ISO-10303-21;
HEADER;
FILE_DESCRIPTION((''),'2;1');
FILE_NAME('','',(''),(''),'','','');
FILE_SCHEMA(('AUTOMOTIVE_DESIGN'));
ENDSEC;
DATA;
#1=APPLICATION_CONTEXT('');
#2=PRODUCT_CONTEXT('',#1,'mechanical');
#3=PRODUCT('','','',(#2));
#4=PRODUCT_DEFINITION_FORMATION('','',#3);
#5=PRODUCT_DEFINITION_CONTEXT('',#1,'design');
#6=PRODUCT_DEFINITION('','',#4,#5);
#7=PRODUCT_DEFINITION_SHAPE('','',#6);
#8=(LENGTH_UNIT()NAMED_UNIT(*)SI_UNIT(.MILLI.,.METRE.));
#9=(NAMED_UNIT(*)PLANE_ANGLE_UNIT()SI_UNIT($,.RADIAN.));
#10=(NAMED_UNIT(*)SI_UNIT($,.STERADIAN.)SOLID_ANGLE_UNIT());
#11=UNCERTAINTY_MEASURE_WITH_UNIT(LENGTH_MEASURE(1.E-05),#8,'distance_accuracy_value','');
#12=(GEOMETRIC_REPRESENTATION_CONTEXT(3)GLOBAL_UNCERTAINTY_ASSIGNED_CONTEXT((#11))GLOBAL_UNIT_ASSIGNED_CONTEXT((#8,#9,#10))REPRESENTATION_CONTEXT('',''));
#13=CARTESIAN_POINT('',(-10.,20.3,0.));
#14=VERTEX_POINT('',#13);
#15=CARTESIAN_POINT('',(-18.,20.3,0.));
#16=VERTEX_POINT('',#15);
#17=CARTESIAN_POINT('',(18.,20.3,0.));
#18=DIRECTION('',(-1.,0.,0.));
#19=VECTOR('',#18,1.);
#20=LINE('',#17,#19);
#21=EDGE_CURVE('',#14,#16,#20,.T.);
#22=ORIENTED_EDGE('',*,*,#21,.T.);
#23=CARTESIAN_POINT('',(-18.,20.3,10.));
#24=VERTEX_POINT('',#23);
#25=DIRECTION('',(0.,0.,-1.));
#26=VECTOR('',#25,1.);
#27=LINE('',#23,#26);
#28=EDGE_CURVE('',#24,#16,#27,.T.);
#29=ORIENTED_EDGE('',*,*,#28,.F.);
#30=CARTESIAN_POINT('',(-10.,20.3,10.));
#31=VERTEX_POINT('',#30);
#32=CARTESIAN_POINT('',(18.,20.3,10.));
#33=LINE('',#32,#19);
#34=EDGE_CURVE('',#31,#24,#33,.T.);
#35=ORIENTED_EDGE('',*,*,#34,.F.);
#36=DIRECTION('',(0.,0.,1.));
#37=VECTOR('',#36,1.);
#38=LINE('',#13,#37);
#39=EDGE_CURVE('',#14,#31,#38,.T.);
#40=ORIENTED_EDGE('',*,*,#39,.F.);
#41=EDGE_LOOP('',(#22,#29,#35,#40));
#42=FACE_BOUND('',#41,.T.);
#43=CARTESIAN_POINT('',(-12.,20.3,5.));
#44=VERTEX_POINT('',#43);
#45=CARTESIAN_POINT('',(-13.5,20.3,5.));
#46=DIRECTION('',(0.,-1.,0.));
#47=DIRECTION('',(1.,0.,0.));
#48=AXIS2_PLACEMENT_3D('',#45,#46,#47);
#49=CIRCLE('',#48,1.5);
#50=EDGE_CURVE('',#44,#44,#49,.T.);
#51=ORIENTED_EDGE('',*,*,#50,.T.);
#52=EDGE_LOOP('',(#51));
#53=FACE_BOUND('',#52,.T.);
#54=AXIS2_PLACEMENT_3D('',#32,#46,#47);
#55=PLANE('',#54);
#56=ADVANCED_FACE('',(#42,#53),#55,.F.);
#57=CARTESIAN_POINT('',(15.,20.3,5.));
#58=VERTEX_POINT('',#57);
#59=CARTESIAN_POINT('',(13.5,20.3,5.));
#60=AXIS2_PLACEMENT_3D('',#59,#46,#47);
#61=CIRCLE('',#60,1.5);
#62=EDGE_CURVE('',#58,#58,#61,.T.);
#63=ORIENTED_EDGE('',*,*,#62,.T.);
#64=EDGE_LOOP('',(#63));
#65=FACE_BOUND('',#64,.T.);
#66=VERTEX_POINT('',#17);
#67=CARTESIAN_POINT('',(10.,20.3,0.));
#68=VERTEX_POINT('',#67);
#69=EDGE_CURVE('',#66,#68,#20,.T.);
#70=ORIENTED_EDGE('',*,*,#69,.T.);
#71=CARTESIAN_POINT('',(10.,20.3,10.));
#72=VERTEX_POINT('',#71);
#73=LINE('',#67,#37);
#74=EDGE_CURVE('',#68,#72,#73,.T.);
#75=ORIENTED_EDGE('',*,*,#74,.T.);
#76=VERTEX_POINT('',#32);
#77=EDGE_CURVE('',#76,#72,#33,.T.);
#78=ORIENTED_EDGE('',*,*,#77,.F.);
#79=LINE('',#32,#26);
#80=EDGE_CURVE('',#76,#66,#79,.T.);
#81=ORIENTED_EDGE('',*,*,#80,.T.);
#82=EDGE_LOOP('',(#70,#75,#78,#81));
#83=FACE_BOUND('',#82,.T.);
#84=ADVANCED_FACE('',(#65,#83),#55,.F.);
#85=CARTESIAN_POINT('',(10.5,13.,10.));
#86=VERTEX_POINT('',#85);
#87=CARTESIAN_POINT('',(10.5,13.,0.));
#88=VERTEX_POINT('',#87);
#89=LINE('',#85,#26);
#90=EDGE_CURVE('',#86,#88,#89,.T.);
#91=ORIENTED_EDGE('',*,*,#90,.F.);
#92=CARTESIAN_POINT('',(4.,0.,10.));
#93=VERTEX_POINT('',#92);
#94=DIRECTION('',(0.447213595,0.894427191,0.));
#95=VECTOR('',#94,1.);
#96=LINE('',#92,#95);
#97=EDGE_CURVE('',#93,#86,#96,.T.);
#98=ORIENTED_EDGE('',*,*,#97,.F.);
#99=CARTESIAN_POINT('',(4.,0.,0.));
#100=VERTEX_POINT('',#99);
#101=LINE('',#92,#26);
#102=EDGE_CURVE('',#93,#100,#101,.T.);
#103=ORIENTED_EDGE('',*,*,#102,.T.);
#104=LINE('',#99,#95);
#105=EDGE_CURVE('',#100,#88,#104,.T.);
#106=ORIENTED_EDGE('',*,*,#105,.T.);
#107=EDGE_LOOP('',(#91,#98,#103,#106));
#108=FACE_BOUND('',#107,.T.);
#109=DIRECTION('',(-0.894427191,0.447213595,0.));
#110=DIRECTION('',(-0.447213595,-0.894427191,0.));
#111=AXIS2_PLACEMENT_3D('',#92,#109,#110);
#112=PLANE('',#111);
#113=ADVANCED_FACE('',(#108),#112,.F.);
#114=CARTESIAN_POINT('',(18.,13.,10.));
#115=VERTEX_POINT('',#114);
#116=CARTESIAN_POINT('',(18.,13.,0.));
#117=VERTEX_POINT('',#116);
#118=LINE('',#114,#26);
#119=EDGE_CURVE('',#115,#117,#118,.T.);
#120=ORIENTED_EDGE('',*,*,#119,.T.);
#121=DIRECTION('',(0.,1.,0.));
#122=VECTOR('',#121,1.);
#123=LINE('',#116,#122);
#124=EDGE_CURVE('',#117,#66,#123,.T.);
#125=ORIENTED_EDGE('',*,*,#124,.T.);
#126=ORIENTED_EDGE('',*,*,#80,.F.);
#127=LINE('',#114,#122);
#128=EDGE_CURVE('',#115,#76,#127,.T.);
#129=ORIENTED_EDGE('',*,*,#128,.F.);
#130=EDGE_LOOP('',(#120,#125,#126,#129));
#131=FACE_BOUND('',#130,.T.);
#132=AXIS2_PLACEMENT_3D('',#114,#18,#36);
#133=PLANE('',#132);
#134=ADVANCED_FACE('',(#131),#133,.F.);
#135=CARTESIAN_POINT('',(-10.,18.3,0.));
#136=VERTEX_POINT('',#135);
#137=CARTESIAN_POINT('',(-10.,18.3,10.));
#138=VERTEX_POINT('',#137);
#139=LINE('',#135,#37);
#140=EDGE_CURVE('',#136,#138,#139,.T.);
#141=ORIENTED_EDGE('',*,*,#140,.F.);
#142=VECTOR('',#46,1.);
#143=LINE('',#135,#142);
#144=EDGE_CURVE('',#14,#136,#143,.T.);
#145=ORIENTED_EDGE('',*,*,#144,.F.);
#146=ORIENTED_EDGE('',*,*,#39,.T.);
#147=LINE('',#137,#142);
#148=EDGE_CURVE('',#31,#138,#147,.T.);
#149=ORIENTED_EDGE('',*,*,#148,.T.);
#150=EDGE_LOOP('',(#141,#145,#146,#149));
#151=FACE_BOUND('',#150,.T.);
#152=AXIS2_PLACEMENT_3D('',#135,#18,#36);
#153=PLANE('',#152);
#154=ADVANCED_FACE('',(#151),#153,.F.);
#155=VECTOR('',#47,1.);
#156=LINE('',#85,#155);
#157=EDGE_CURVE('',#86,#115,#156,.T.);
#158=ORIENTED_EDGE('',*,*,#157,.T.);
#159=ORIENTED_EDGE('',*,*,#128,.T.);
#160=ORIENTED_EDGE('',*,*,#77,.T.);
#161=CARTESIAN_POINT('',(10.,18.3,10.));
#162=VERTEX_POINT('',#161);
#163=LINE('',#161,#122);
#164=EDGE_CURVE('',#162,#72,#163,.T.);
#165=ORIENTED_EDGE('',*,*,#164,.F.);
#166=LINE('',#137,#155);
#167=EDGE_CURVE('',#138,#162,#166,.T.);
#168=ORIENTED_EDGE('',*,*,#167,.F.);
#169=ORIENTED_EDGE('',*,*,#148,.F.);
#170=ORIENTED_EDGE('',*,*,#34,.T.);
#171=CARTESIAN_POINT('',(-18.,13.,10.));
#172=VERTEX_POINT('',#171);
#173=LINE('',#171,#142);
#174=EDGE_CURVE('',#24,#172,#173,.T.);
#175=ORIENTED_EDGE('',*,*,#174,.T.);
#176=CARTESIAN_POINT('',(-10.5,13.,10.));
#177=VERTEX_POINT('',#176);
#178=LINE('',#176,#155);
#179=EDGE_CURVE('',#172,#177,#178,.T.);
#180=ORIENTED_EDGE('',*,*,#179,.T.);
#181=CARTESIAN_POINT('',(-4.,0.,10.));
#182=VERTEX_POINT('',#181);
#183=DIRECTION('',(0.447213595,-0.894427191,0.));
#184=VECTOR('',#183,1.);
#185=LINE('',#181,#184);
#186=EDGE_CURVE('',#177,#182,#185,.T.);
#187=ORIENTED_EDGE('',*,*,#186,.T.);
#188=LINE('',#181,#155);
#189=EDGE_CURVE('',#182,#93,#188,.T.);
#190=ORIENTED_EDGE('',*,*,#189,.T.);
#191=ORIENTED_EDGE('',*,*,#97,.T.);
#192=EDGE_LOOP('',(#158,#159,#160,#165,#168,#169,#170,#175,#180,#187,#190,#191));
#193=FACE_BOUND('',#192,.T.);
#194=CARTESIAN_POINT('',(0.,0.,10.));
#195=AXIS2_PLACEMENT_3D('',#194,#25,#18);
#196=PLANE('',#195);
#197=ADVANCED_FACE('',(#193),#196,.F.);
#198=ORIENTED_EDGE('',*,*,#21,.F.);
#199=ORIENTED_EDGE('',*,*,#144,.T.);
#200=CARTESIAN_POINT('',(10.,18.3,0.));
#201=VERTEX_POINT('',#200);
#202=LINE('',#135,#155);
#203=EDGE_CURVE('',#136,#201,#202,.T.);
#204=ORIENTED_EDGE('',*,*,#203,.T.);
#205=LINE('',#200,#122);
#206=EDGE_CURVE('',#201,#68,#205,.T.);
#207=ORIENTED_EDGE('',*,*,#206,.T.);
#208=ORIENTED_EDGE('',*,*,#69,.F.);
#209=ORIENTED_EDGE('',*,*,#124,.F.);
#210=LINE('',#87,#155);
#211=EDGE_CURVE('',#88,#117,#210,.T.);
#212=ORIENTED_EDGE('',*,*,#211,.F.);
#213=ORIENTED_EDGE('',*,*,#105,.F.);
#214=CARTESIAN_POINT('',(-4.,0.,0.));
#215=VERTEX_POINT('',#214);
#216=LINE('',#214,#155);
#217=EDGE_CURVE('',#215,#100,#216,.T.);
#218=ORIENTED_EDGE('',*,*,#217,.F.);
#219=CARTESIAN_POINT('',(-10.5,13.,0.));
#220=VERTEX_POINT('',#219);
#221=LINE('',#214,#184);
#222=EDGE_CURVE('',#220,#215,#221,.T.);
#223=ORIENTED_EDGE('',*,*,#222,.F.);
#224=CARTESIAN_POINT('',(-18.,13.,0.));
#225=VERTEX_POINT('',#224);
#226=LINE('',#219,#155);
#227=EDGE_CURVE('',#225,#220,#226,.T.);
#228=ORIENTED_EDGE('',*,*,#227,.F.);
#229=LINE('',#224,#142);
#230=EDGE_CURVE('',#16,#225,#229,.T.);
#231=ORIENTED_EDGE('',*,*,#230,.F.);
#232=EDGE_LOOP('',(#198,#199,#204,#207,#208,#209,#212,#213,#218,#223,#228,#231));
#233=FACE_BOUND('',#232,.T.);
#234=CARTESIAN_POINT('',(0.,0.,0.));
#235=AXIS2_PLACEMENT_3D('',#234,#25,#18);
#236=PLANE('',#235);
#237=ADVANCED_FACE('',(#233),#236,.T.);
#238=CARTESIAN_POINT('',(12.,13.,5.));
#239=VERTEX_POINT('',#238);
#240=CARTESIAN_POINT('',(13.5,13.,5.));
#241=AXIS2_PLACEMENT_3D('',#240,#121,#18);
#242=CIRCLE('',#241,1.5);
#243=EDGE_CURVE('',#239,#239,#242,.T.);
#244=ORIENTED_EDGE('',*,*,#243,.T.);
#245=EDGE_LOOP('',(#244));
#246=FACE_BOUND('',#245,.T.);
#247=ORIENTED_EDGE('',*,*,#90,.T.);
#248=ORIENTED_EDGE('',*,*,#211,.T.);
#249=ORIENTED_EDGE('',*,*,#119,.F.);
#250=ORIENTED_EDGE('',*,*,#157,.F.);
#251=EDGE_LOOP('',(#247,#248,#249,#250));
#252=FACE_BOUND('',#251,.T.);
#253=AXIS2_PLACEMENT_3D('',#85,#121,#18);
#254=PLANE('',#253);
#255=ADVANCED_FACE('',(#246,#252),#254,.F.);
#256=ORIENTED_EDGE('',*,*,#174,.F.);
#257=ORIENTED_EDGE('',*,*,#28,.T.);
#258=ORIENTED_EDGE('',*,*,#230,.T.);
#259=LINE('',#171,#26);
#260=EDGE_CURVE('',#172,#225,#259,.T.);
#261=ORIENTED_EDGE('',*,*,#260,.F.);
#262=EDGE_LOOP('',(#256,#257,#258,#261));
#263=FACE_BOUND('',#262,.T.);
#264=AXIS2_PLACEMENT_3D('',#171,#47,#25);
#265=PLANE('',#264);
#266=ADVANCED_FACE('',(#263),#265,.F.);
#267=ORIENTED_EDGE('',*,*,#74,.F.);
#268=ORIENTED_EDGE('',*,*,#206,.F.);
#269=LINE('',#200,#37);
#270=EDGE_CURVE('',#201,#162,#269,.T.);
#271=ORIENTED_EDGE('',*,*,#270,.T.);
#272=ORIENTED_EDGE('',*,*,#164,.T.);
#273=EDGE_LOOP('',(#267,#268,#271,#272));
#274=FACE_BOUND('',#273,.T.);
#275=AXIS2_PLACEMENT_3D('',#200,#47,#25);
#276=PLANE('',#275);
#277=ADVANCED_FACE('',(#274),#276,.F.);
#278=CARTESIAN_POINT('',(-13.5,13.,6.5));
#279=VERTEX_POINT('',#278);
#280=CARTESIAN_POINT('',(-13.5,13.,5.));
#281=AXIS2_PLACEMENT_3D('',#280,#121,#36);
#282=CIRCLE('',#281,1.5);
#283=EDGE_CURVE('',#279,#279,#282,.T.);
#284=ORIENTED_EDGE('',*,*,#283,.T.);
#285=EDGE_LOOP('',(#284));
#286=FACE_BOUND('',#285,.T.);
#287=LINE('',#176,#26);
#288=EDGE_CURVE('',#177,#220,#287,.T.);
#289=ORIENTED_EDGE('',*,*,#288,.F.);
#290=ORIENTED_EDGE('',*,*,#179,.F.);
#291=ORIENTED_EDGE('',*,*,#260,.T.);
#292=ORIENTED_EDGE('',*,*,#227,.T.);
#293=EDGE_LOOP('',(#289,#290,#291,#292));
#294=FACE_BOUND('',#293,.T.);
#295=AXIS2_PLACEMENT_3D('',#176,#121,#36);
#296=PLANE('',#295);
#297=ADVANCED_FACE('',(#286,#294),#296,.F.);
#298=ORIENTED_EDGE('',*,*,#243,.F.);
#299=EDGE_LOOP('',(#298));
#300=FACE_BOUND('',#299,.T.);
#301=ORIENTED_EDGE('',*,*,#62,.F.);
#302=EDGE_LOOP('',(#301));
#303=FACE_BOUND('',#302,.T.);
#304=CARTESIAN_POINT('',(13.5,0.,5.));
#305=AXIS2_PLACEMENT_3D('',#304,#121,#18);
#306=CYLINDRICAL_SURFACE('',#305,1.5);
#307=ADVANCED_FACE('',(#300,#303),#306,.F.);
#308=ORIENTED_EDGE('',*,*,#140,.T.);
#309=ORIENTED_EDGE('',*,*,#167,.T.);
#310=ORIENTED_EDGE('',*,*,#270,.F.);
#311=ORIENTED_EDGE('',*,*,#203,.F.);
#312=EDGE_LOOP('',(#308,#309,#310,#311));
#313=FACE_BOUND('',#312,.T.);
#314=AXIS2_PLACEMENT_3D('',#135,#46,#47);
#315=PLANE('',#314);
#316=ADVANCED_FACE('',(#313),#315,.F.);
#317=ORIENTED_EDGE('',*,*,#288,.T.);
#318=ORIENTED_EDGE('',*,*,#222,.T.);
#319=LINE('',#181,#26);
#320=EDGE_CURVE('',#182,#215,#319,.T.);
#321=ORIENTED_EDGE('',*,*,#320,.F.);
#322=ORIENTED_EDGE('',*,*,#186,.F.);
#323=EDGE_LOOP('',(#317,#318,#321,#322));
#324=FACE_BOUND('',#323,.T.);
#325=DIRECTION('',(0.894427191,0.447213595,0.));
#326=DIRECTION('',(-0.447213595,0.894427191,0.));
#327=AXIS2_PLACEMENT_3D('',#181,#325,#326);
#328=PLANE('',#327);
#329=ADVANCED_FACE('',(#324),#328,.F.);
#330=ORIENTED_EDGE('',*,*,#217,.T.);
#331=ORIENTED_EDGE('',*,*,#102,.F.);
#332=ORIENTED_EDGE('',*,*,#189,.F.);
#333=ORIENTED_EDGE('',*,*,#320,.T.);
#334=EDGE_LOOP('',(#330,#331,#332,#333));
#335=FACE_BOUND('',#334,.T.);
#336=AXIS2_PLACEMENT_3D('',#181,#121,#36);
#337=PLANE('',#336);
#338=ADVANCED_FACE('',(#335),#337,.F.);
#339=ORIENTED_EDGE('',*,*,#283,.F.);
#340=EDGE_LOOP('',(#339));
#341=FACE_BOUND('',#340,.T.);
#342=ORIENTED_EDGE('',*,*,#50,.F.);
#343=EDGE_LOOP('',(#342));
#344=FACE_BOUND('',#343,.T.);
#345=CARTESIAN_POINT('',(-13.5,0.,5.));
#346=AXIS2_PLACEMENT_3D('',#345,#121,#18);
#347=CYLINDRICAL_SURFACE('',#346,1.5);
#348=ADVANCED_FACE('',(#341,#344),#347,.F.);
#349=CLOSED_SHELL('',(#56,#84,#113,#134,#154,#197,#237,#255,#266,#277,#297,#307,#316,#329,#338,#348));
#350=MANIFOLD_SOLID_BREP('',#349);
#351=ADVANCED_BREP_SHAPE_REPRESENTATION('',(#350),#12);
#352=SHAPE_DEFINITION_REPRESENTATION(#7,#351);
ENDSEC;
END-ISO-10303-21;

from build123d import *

# Parameters (mm, degrees)
BOSS_EXTRUDE1_DEPTH     = 10
SKETCH2_W               = 20
SKETCH2_H               = 2
CUT_EXTRUDE1_DEPTH      = 11
SKETCH3_R               = 1.5
CUT_EXTRUDE2_DEPTH      = 1
CUT_EXTRUDE2_DEPTH_BACK = 21.3


with BuildPart() as part:
    # Sketch1 → Boss-Extrude1 (new body)
    with BuildSketch(Plane.XY):
        Polygon((-4, 0), (4, 0), (10.5, 13), (18, 13), (18, 20.3), (-18, 20.3), (-18, 13), (-10.5, 13), align=None)
    extrude(amount=BOSS_EXTRUDE1_DEPTH)

    # Sketch2 → Cut-Extrude1 (cut, through all)
    with BuildSketch(Plane.XY.offset(10)):
        with Locations((0, 19.3)):
            Rectangle(SKETCH2_W, SKETCH2_H)
    extrude(amount=-CUT_EXTRUDE1_DEPTH, mode=Mode.SUBTRACT)

    # Sketch3 → Cut-Extrude2 (cut, two sides)
    with BuildSketch(Plane(origin=(0, 20.3, 0), x_dir=(1, 0, 0), z_dir=(0, 1, 0))) as cut_extrude2_sk:
        with Locations((-13.5, -5)):
            Circle(SKETCH3_R)
        with Locations((13.5, -5)):
            Circle(SKETCH3_R)
    extrude(amount=CUT_EXTRUDE2_DEPTH, mode=Mode.SUBTRACT)
    extrude(cut_extrude2_sk.sketch, amount=-CUT_EXTRUDE2_DEPTH_BACK, mode=Mode.SUBTRACT)


solid = part.part
